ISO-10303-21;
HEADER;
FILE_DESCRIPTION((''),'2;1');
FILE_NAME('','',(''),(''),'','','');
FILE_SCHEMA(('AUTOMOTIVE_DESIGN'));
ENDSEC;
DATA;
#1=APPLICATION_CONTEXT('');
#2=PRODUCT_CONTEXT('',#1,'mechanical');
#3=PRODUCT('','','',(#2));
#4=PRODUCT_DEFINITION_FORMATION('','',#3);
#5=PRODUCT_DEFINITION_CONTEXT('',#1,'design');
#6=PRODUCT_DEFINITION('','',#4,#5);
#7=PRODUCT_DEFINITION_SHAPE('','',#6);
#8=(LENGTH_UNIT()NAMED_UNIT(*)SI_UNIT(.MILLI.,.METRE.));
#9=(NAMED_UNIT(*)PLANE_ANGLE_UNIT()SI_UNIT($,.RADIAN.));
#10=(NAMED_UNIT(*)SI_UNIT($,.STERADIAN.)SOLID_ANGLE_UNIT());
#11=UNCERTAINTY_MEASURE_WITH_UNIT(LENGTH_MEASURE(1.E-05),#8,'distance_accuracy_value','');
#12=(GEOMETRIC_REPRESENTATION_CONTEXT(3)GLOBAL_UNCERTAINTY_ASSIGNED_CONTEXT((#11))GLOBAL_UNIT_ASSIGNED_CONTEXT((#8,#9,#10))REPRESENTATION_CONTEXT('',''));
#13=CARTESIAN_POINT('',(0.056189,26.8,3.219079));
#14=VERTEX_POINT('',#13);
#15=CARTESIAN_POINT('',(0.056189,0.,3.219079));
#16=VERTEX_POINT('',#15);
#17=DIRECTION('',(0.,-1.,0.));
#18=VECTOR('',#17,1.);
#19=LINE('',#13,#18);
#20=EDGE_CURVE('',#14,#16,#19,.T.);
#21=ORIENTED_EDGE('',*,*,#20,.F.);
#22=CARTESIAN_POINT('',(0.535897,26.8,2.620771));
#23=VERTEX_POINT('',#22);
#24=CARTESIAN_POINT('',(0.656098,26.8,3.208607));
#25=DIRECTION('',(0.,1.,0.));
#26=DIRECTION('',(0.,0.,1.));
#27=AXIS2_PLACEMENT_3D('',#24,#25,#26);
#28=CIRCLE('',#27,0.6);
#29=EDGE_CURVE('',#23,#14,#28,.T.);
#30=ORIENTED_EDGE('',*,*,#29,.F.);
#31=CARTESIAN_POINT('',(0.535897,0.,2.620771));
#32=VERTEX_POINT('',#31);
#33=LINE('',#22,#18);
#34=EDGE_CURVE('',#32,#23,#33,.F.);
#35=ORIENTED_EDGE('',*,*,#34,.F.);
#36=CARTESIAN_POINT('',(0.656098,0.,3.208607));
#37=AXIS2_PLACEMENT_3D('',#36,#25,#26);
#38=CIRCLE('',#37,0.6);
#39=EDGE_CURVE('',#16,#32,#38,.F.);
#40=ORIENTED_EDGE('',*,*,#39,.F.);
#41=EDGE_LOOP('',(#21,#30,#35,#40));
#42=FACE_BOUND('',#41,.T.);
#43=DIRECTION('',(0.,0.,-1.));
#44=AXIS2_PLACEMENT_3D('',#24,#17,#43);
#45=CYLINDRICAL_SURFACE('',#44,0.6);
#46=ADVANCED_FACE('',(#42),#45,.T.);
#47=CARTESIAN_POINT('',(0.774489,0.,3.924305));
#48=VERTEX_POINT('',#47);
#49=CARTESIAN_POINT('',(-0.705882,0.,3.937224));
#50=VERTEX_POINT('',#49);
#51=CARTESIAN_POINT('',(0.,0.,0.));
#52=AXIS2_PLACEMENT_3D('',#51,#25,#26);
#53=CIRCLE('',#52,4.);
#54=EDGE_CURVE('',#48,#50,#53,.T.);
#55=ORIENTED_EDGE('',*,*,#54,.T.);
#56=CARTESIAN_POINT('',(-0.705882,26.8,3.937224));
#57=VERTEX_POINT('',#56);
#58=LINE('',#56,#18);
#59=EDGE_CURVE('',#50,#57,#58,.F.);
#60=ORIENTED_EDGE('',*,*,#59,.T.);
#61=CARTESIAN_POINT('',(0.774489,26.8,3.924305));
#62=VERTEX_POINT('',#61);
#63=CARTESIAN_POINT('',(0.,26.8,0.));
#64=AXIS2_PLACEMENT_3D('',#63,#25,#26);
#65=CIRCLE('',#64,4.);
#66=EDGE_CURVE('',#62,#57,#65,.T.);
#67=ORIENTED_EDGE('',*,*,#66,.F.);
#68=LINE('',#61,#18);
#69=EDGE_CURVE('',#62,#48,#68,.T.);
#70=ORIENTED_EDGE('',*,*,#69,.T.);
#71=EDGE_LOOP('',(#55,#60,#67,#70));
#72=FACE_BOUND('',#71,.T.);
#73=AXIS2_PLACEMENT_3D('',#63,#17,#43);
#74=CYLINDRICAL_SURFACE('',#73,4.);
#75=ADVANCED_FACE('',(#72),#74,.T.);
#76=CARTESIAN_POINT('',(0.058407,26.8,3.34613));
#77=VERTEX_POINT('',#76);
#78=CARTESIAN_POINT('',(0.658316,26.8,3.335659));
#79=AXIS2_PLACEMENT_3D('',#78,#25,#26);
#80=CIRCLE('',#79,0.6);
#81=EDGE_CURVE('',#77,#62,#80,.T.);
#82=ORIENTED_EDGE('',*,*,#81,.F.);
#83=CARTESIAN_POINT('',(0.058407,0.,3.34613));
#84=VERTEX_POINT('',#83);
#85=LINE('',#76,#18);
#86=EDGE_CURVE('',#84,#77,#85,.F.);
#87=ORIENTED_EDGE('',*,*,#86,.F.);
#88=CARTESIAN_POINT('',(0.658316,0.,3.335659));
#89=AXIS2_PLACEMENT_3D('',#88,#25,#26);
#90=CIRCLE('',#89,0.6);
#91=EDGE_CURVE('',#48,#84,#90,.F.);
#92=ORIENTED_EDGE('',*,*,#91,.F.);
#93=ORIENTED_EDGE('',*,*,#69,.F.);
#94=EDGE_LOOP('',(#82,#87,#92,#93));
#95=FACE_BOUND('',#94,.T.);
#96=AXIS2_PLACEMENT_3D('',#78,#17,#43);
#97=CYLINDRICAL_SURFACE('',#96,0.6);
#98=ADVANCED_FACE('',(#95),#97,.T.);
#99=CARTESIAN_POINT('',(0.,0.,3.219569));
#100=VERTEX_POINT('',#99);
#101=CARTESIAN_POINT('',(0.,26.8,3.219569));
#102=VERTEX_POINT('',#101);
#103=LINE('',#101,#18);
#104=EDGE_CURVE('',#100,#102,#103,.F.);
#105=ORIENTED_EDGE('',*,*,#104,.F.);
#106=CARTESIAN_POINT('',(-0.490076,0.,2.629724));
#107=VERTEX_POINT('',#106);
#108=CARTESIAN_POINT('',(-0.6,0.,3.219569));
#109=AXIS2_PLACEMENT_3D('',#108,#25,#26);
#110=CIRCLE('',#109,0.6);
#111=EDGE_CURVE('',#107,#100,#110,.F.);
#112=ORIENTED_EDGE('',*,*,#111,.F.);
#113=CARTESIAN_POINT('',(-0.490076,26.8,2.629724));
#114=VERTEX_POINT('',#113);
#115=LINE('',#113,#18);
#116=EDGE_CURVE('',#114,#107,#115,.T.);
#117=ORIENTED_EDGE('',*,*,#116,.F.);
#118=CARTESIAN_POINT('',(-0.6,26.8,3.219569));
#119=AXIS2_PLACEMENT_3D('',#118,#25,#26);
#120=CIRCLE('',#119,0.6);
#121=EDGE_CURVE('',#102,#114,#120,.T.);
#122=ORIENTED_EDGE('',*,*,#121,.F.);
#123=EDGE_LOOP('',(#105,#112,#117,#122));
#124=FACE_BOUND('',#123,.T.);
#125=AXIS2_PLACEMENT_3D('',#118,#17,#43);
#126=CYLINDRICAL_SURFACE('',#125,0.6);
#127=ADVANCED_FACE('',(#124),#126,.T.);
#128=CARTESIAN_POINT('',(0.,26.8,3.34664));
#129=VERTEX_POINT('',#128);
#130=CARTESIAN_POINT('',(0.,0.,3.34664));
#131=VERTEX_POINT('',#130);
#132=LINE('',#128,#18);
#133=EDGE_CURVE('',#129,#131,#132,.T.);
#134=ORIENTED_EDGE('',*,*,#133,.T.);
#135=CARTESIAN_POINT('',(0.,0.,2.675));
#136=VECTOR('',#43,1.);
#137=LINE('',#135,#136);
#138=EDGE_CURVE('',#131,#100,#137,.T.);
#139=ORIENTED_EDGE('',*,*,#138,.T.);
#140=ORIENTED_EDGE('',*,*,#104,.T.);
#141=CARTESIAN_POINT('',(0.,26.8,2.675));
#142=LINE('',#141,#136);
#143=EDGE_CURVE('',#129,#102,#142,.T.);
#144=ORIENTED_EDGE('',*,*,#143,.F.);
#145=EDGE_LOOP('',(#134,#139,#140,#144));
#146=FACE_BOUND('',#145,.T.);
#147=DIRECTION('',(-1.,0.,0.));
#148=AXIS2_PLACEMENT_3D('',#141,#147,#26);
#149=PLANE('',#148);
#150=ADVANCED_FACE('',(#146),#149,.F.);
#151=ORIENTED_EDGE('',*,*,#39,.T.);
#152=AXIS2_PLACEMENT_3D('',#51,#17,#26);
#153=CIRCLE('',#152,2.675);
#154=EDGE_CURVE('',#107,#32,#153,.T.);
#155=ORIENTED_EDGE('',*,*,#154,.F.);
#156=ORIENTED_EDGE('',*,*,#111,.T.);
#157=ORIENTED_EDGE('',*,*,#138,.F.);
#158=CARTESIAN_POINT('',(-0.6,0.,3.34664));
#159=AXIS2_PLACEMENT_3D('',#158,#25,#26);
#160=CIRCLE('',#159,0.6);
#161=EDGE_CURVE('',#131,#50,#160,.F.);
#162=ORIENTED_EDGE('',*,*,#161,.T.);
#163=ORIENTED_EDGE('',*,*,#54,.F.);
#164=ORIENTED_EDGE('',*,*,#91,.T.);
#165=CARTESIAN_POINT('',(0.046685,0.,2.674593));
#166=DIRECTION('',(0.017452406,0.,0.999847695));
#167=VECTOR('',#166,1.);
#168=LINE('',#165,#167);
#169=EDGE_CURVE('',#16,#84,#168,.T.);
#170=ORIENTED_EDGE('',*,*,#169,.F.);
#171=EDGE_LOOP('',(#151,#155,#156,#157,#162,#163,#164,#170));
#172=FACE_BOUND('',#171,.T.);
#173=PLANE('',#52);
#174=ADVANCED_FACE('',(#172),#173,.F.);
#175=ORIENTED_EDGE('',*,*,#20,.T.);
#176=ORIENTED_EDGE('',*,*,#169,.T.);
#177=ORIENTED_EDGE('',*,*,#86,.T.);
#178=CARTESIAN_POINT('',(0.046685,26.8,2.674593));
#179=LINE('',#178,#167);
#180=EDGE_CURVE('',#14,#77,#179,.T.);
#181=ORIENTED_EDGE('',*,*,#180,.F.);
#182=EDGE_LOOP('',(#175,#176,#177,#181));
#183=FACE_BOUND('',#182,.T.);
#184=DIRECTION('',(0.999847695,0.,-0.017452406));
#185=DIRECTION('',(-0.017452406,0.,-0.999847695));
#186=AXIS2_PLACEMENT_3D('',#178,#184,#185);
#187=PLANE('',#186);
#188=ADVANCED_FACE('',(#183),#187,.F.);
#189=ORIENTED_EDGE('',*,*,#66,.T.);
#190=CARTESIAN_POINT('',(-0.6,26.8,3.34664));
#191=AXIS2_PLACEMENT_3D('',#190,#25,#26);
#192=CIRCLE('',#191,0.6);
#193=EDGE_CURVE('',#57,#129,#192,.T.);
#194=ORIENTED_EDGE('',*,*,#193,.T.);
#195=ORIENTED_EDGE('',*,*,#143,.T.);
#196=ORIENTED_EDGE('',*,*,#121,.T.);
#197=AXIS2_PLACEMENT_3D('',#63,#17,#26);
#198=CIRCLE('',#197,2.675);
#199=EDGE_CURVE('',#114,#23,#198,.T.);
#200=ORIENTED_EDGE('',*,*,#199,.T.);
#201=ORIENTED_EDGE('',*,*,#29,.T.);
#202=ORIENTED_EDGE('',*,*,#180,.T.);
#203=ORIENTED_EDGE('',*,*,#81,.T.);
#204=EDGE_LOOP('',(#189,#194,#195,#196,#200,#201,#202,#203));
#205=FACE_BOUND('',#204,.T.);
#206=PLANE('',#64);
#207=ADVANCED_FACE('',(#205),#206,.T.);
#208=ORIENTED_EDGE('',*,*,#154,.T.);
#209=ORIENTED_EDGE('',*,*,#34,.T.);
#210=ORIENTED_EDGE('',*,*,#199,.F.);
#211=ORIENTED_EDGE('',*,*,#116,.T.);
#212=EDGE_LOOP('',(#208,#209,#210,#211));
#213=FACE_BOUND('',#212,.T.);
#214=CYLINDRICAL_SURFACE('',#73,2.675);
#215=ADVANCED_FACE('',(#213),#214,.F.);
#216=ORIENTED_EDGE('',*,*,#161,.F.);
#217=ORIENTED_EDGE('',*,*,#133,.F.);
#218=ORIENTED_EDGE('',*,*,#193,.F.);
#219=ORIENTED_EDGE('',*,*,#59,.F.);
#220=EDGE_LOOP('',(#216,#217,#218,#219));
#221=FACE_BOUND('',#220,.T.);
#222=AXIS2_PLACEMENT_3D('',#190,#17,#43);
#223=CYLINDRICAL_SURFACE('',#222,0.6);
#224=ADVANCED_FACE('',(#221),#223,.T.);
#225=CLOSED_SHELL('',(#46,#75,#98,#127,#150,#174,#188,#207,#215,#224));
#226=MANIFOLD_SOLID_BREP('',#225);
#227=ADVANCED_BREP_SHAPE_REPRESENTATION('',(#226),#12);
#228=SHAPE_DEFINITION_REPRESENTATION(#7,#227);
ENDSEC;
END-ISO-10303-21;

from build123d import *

# Parameters (mm, degrees)
BOSS_EXTRUDE1_DEPTH = 26.8
FILLET1_R           = 0.6


with BuildPart() as part:
    # Sketch1 → Boss-Extrude1 (new body)
    with BuildSketch(Plane(origin=(0, 0, 0), x_dir=(1, 0, 0), z_dir=(0, 1, 0))):
        with BuildLine():
            Line((0.046685187, -2.674592585), (0.069809626, -3.999390781))
            ThreePointArc((0.069809626, -3.999390781), (-0.034906142, 3.999847692), (0, -4))
            Line((0, -4), (0, -2.675))
            ThreePointArc((0, -2.675), (-0.023343482, 2.674898144), (0.046685187, -2.674592585))
        make_face()
    extrude(amount=BOSS_EXTRUDE1_DEPTH)

    # Fillet1
    fillet1_edges = [part.edges().sort_by_distance(p)[0] for p in [
        (0, 13.4, 2.675),
        (0, 13.4, 4),
        (0.069809626, 13.4, 3.999390781),
        (0.046685187, 13.4, 2.674592585),
    ]]
    fillet(fillet1_edges, radius=FILLET1_R)


solid = part.part
